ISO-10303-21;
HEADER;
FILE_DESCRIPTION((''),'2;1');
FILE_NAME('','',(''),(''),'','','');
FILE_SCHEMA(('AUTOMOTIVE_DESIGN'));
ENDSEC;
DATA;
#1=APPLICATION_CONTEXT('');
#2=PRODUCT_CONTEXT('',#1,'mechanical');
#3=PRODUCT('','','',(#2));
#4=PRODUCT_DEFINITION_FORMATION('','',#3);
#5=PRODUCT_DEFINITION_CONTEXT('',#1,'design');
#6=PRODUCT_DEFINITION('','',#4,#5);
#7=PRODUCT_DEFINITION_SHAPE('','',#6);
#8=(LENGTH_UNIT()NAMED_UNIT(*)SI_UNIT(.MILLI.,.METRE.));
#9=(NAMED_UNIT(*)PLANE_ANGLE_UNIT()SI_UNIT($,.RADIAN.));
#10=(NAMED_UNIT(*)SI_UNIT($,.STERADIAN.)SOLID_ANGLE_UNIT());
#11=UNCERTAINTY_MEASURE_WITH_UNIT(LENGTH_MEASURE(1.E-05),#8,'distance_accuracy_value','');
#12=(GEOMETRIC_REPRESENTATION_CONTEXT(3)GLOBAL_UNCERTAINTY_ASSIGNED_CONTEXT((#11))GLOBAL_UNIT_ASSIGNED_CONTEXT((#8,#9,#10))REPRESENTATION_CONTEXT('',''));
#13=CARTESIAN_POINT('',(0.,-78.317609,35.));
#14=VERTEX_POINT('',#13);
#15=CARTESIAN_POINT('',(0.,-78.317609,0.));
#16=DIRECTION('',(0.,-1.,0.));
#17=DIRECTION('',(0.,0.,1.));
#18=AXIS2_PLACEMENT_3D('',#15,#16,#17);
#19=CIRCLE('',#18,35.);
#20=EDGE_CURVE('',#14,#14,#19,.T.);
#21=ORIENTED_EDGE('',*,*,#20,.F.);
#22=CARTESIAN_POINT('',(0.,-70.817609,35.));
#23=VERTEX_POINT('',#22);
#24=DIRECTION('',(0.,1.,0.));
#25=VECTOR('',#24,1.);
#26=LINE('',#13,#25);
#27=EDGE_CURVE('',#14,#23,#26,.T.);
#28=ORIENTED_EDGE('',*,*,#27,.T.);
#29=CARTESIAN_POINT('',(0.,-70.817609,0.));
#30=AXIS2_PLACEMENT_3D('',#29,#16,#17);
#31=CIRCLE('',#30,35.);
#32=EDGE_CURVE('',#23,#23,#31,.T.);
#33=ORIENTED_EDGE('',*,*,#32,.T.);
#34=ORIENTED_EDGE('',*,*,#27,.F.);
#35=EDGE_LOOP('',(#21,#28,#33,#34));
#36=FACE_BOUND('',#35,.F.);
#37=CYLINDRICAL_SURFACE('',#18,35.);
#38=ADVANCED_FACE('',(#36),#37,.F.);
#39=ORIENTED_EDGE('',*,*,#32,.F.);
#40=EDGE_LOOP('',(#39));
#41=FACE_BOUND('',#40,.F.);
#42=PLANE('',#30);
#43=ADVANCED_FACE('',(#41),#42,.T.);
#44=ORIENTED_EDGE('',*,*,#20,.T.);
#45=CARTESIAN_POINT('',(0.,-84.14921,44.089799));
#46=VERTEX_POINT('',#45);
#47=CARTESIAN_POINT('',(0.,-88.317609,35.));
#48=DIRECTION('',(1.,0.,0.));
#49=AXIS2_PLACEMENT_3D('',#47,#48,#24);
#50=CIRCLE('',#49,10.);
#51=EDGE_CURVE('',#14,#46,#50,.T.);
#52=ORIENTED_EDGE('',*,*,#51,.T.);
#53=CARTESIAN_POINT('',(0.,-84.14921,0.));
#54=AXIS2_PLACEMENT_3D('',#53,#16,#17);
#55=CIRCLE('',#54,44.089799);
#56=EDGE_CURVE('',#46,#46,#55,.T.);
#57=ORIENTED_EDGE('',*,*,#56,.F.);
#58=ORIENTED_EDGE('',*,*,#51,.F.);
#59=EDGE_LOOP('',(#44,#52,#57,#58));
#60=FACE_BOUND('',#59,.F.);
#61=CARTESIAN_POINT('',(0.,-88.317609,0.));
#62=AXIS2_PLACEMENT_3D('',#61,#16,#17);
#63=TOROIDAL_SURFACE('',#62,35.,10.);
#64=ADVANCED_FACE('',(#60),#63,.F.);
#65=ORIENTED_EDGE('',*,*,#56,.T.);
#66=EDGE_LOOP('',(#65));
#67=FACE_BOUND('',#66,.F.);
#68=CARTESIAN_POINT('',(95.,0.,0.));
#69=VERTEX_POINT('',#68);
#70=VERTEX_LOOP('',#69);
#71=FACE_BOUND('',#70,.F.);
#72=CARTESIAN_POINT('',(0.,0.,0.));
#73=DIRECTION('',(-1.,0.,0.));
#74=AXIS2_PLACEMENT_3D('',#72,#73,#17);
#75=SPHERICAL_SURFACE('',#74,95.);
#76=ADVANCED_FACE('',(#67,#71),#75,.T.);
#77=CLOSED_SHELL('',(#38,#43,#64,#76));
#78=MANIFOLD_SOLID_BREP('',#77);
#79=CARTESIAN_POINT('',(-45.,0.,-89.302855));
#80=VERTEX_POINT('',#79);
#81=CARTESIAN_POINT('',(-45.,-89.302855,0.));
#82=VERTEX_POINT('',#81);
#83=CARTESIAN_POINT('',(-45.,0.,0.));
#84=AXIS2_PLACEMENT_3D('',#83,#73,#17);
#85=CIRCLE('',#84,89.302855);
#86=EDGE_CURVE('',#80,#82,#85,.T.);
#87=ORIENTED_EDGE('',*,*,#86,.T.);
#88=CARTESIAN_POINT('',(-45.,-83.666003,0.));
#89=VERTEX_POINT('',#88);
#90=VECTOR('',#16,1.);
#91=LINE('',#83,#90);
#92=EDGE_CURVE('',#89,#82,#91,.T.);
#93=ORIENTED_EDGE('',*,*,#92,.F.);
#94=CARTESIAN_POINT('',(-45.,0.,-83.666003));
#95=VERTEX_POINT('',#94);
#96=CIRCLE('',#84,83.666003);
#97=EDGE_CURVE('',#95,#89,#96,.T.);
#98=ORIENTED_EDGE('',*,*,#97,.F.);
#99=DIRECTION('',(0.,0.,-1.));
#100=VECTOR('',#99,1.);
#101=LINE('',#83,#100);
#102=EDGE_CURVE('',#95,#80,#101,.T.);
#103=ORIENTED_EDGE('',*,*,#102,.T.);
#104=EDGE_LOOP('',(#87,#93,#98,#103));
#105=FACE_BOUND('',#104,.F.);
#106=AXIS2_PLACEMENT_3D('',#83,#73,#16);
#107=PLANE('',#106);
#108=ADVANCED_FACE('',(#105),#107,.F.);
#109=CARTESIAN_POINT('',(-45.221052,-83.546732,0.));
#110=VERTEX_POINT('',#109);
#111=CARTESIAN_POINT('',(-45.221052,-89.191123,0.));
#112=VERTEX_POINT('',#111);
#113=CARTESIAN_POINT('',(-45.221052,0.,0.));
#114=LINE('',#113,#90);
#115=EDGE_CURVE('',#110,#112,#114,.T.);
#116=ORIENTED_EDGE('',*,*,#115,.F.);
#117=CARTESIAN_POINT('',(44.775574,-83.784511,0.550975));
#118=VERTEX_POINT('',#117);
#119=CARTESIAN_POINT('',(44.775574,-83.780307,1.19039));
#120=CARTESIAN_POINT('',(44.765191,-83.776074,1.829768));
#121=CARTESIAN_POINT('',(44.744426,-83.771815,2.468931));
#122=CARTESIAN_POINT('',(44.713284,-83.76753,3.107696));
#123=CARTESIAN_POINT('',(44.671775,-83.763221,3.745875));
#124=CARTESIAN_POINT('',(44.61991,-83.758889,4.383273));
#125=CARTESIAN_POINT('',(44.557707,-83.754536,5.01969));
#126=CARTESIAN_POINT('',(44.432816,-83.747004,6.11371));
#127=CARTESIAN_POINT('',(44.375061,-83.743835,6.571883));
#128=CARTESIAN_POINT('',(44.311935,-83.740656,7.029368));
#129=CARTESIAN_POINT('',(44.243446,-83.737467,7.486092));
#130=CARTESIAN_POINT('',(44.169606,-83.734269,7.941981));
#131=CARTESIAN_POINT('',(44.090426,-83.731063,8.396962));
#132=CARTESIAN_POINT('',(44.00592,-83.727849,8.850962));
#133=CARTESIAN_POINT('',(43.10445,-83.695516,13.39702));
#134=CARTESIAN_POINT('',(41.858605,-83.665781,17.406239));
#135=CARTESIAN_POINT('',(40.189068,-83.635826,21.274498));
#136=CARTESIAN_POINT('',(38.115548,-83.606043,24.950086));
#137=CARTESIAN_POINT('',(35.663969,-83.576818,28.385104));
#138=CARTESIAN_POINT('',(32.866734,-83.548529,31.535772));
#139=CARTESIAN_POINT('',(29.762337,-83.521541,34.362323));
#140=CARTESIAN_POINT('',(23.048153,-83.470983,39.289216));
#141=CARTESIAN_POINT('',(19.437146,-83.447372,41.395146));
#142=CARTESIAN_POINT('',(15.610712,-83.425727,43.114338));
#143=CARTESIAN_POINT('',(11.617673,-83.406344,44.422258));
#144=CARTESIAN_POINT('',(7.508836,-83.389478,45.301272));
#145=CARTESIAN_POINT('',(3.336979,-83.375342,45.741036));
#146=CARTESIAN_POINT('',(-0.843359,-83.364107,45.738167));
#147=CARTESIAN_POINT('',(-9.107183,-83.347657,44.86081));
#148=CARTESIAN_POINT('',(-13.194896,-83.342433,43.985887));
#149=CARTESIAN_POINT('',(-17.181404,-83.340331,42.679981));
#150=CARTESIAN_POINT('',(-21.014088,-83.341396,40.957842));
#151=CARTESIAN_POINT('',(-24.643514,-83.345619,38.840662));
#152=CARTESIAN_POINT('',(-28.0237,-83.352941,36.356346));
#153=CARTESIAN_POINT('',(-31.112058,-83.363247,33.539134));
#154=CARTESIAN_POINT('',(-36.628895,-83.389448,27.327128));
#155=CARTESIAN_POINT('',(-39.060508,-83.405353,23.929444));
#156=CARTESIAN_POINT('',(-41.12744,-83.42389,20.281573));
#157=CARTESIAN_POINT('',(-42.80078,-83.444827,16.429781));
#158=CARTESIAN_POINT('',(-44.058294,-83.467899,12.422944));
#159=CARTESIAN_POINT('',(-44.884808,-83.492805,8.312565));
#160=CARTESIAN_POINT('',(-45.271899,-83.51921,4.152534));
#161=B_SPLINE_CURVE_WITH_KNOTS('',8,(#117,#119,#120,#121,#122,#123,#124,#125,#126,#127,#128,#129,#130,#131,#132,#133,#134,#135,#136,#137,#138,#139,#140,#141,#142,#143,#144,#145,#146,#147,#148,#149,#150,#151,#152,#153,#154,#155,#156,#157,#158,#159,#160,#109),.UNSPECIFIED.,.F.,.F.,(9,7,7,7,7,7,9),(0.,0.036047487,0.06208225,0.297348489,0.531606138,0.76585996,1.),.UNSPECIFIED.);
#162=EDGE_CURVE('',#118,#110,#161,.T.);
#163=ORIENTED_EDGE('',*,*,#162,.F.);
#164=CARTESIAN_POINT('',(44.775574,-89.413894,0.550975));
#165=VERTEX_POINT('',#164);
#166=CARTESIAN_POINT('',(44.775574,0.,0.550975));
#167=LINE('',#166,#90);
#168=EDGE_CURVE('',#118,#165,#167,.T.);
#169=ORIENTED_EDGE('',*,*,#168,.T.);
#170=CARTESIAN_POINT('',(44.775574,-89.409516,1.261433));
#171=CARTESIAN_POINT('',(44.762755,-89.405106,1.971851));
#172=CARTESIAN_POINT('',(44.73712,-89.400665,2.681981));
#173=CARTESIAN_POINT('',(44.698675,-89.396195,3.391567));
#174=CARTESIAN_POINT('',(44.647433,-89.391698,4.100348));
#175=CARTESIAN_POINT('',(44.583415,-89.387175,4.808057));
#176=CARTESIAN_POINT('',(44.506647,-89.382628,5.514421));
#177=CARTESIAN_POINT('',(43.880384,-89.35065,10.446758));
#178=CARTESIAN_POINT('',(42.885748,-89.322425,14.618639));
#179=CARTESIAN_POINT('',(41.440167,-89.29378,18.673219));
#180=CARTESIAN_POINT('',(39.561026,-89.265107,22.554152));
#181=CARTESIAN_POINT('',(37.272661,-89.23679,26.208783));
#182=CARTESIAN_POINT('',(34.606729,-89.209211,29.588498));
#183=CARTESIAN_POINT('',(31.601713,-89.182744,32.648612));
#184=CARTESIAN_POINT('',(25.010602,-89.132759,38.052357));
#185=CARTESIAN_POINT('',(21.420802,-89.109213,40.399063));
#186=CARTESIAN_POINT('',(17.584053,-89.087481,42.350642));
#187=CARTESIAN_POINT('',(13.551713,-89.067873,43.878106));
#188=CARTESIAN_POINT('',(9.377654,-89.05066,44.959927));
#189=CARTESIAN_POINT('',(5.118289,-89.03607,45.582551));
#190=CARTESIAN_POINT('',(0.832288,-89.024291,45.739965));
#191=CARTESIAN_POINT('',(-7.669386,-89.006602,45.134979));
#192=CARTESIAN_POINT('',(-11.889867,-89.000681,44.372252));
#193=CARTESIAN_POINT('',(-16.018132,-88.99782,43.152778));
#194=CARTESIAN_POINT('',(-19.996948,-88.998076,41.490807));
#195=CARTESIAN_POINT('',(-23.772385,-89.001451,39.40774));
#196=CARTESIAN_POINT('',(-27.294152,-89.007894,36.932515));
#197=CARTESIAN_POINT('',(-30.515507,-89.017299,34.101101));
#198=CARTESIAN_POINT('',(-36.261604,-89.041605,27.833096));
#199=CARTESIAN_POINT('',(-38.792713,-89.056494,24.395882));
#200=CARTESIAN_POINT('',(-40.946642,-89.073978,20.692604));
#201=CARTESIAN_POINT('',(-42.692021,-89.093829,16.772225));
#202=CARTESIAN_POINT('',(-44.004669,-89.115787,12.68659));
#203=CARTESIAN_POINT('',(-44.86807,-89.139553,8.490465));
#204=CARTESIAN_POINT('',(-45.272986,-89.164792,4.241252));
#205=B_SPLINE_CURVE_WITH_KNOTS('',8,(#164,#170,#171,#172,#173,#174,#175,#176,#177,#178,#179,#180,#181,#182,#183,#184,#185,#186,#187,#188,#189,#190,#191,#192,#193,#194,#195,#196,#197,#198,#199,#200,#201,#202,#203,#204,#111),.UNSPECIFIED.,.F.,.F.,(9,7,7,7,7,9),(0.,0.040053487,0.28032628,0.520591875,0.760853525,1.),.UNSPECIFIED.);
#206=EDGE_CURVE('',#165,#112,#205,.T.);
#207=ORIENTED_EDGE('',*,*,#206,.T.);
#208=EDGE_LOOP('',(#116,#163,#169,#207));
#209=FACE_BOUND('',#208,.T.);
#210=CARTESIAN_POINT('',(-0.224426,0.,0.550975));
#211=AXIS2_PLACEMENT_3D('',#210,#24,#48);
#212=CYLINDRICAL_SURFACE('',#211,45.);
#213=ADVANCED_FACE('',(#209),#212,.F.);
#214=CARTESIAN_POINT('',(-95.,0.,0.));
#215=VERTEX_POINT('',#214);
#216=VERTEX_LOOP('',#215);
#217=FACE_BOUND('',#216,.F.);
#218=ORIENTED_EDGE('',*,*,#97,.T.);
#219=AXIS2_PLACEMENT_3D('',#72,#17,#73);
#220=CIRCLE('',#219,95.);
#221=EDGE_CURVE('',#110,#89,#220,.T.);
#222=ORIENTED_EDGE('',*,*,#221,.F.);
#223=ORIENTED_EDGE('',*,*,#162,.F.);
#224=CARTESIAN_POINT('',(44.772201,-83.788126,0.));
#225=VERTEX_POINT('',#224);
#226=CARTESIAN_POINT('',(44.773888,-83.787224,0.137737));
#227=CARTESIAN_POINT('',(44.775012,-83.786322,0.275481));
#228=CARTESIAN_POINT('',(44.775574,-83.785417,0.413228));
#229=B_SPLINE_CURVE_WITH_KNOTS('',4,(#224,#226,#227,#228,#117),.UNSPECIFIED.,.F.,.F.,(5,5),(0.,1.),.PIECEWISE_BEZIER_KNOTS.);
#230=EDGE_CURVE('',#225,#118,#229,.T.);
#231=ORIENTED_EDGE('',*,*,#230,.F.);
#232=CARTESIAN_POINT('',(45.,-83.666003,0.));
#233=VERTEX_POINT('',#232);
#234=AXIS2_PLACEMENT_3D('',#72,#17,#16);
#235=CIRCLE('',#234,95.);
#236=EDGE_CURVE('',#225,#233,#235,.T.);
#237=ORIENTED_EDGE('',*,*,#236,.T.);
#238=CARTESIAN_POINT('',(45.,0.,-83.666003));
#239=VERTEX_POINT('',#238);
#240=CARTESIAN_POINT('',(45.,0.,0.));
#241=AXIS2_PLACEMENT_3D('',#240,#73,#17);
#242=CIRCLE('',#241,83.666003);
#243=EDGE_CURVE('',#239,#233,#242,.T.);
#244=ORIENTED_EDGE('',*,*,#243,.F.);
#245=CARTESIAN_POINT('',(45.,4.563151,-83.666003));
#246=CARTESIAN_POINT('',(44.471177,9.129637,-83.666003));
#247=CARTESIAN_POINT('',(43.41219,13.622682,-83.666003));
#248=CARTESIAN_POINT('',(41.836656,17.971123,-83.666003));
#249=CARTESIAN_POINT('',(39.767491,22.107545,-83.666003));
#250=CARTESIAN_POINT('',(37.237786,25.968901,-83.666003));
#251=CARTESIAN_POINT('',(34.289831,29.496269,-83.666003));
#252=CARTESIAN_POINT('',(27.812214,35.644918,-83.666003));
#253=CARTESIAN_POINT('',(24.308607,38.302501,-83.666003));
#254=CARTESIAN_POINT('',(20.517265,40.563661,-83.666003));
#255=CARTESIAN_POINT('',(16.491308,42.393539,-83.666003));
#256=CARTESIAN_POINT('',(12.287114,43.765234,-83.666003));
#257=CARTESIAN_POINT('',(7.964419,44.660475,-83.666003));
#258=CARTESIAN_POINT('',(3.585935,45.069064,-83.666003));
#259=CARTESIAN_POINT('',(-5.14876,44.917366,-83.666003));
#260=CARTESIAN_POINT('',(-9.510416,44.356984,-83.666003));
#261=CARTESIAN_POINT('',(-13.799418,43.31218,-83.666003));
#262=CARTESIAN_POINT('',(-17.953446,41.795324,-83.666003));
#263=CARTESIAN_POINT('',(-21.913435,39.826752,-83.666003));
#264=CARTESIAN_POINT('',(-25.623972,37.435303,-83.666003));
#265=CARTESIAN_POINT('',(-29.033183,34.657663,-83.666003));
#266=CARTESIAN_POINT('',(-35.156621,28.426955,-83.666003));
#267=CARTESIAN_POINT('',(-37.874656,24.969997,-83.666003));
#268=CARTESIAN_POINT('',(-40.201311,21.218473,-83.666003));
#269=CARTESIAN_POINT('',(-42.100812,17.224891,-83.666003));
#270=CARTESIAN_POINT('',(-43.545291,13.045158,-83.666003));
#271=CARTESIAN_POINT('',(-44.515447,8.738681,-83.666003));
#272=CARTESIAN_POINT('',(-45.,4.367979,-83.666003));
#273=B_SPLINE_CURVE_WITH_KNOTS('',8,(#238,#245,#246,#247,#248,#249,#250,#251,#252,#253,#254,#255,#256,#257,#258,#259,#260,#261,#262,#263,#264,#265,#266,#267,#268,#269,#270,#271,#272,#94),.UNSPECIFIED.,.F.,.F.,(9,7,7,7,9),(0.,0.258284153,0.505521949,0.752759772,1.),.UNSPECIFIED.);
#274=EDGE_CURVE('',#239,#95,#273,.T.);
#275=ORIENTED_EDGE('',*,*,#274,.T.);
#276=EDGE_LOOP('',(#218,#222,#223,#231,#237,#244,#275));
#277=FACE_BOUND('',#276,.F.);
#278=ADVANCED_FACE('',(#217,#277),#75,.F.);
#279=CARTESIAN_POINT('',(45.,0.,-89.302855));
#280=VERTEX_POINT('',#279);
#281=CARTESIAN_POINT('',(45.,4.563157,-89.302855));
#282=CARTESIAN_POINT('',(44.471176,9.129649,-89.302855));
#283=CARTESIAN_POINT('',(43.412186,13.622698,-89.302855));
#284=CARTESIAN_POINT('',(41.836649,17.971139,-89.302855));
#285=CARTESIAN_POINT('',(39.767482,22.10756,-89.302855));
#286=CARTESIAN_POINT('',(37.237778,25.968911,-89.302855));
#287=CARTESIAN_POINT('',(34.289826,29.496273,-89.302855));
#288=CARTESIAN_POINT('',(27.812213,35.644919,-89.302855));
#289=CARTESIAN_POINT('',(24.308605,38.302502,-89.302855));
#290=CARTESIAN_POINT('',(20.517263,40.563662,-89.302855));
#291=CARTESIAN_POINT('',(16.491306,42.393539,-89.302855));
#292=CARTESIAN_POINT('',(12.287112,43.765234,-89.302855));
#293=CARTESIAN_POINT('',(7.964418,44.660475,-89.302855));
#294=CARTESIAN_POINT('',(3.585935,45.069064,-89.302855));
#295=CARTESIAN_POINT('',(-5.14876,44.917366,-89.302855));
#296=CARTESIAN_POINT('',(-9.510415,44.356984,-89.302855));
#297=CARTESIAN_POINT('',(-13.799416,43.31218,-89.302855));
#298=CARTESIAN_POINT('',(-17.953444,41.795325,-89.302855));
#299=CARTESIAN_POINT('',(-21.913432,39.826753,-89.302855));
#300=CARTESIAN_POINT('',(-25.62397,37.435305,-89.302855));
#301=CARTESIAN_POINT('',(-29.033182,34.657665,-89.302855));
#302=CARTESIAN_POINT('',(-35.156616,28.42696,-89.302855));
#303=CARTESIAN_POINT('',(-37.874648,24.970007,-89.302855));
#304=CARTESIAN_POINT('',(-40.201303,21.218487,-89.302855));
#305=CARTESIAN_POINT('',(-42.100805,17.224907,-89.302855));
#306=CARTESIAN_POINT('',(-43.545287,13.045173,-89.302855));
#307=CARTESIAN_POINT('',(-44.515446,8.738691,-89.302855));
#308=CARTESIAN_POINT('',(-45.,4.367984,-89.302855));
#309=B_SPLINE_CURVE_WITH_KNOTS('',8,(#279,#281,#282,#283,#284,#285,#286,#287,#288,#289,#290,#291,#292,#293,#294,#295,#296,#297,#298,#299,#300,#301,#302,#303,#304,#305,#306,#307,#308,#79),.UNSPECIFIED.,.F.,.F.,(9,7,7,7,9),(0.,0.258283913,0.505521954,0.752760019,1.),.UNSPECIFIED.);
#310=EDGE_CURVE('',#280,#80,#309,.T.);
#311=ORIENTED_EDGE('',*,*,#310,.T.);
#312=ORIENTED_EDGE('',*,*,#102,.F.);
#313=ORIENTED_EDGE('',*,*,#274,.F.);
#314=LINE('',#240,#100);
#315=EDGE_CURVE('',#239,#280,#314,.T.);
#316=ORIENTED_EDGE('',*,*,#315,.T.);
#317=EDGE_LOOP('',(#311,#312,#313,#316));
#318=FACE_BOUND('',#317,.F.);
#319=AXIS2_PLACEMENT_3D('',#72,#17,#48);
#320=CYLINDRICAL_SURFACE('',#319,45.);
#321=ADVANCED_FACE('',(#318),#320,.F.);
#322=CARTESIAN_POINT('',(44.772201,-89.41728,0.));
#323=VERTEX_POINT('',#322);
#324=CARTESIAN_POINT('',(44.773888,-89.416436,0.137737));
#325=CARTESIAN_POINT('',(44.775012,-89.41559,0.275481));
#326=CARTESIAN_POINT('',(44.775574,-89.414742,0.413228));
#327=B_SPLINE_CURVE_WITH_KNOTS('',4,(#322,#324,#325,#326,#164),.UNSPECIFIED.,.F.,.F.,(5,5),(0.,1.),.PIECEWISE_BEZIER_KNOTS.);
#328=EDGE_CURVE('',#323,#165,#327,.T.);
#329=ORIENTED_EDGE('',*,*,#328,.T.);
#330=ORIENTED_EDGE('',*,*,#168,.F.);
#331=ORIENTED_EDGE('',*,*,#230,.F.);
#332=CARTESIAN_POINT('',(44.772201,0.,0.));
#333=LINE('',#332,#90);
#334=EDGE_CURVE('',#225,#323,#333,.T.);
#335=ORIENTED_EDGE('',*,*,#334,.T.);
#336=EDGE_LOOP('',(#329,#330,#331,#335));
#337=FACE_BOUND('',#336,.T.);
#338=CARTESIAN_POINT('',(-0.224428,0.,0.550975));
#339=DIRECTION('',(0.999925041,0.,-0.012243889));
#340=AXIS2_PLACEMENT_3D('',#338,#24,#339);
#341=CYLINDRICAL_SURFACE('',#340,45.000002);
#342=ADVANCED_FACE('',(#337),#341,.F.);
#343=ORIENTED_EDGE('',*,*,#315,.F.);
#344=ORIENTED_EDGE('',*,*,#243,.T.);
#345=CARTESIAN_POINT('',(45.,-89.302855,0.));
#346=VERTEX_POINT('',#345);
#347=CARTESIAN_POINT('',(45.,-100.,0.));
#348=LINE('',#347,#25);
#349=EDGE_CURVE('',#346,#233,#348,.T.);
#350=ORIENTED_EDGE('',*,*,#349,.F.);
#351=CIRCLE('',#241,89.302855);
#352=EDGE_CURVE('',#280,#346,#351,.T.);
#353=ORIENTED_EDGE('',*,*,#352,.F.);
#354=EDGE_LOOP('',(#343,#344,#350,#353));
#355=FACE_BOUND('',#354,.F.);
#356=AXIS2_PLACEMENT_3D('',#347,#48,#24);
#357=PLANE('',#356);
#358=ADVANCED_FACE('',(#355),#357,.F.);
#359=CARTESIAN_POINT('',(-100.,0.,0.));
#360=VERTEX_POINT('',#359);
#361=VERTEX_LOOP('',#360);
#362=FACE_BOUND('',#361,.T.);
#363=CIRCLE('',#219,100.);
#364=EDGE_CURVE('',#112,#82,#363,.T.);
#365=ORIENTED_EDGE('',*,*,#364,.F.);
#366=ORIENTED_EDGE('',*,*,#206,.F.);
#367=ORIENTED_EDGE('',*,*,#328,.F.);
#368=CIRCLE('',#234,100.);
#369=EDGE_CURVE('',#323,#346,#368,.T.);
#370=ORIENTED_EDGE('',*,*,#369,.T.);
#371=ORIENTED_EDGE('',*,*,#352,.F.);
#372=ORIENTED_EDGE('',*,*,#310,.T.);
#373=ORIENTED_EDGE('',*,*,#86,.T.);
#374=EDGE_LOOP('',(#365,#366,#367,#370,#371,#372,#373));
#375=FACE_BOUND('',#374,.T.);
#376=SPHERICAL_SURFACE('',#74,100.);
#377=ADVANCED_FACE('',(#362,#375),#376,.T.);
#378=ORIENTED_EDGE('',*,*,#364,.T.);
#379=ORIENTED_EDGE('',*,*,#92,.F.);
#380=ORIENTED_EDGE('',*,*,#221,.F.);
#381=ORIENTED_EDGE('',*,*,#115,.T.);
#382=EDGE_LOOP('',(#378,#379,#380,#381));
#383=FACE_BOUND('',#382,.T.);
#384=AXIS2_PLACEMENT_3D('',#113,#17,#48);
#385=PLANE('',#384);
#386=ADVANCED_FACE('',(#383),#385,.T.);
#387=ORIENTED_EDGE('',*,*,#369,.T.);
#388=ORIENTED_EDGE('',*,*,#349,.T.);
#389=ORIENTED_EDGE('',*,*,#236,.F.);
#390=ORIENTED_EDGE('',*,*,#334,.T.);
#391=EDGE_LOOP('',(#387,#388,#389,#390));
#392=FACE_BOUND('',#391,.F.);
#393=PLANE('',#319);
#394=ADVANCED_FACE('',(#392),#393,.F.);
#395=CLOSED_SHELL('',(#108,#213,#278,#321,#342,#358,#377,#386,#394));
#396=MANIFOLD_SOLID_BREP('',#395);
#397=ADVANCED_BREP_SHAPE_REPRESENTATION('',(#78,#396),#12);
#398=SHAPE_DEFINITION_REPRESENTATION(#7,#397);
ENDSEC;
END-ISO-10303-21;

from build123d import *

# Parameters (mm, degrees)
F6_T      = -5
F7_DEPTH  = 200
F8_DEPTH  = 200
F11_DEPTH = 7.5


with BuildPart() as f5:
    # F2 (on Front) → F5 (revolve)
    with BuildSketch(Plane.XZ):
        with BuildLine():
            Line((95, 0), (100, 0))
            ThreePointArc((100, 0), (0, 100), (-100, 0))
            Line((-100, 0), (-95, 0))
            ThreePointArc((-95, 0), (0, 95), (95, 0))
        make_face()
        with BuildLine():
            Line((0, 0), (44.7722013338, 0))
            ThreePointArc((44.7722013338, 0), (44.7747311997, 0.275482354), (44.7755744989, 0.5509750335))
            ThreePointArc((44.7755744989, 0.5509750335), (-0.4999181806, 45.5501317344), (-45.2210523359, 0))
            Line((-45.2210523359, 0), (0, 0))
        make_face()
        with BuildLine():
            Line((44.7722013338, 0), (95, 0))
            ThreePointArc((95, 0), (0, 95), (-95, 0))
            Line((-95, 0), (-45.2210523359, 0))
            ThreePointArc((-45.2210523359, 0), (-0.4999181806, 45.5501317344), (44.7755744989, 0.5509750335))
            ThreePointArc((44.7755744989, 0.5509750335), (44.7747311997, 0.275482354), (44.7722013338, 0))
        make_face()
    revolve(axis=Axis((-50, 0, 0), (-1, 0, 0)))

    # F6 (hollow: no face is removed)
    offset(amount=F6_T, mode=Mode.SUBTRACT)

    # F2 (on Front) → F7 (cut)
    with BuildSketch(Plane.XZ):
        with BuildLine():
            Line((0, 0), (44.7722013338, 0))
            ThreePointArc((44.7722013338, 0), (44.7747311997, 0.275482354), (44.7755744989, 0.5509750335))
            ThreePointArc((44.7755744989, 0.5509750335), (-0.4999181806, 45.5501317344), (-45.2210523359, 0))
            Line((-45.2210523359, 0), (0, 0))
        make_face()
    extrude(amount=F7_DEPTH, mode=Mode.SUBTRACT)

    # F3 (on Top) → F8 (cut)
    with BuildSketch(Plane.XY):
        with BuildLine():
            ThreePointArc((-45, 0), (0, -45), (45, 0))
            ThreePointArc((45, 0), (0, 45), (-45, 0))
        make_face()
        with BuildLine():
            Line((45, -100), (45, 0))
            ThreePointArc((45, 0), (0, -45), (-45, 0))
            Line((-45, 0), (-45, -100))
            Line((-45, -100), (45, -100))
        make_face()
    extrude(amount=-F8_DEPTH, mode=Mode.SUBTRACT)


with BuildPart() as f9:
    # F2 (on Front) → F9 (revolve)
    with BuildSketch(Plane.XZ):
        with BuildLine():
            Line((44.7722013338, 0), (95, 0))
            ThreePointArc((95, 0), (0, 95), (-95, 0))
            Line((-95, 0), (-45.2210523359, 0))
            ThreePointArc((-45.2210523359, 0), (-0.4999181806, 45.5501317344), (44.7755744989, 0.5509750335))
            ThreePointArc((44.7755744989, 0.5509750335), (44.7747311997, 0.275482354), (44.7722013338, 0))
        make_face()
        with BuildLine():
            Line((0, 0), (44.7722013338, 0))
            ThreePointArc((44.7722013338, 0), (44.7747311997, 0.275482354), (44.7755744989, 0.5509750335))
            ThreePointArc((44.7755744989, 0.5509750335), (-0.4999181806, 45.5501317344), (-45.2210523359, 0))
            Line((-45.2210523359, 0), (0, 0))
        make_face()
    revolve(axis=Axis((50, 0, 0), (1, 0, 0)))

    # F4 (on Right) → F10 (revolve, cut)
    with BuildSketch(Plane.YZ):
        with BuildLine():
            ThreePointArc((-88.3176086633, 25), (-81.2465408514, 27.9289321881), (-78.3176086633, 35))
            ThreePointArc((-78.3176086633, 35), (-79.9008401522, 40.3998155368), (-84.1492102295, 44.0897994751))
            ThreePointArc((-84.1492102295, 44.0897994751), (-86.3530950133, 39.599785121), (-88.3176086633, 35))
            Line((-88.3176086633, 35), (-88.3176086633, 25))
        make_face()
        with BuildLine():
            ThreePointArc((-91.5074186354, 25.5223888906), (-89.9337597864, 25.1314613267), (-88.3176086633, 25))
            Line((-88.3176086633, 25), (-88.3176086633, 35))
            ThreePointArc((-88.3176086633, 35), (-90.0373055396, 30.3031947354), (-91.5074186354, 25.5223888906))
        make_face()
        with BuildLine():
            Line((-95, 0), (-88.3176086633, 0))
            Line((-88.3176086633, 0), (-88.3176086633, 25))
            ThreePointArc((-88.3176086633, 25), (-89.9337597864, 25.1314613267), (-91.5074186354, 25.5223888906))
            ThreePointArc((-91.5074186354, 25.5223888906), (-94.1228048094, 12.8801247982), (-95, 0))
        make_face()
        with BuildLine():
            Line((-88.3176086633, 0), (-78.3176086633, 0))
            Line((-78.3176086633, 0), (-78.3176086633, 35))
            ThreePointArc((-78.3176086633, 35), (-81.2465408514, 27.9289321881), (-88.3176086633, 25))
            Line((-88.3176086633, 25), (-88.3176086633, 0))
        make_face()
    revolve(axis=Axis((0, -47.5, 0), (0, -1, 0)), mode=Mode.SUBTRACT)

    # F11 (cut): a face of the model
    f11_faces = [f9.faces().sort_by_distance(p)[0] for p in [
        (0, -78.3176086633, 0),
    ]]
    extrude(f11_faces, amount=-F11_DEPTH, mode=Mode.SUBTRACT)


solid = Compound([f5.part, f9.part])
